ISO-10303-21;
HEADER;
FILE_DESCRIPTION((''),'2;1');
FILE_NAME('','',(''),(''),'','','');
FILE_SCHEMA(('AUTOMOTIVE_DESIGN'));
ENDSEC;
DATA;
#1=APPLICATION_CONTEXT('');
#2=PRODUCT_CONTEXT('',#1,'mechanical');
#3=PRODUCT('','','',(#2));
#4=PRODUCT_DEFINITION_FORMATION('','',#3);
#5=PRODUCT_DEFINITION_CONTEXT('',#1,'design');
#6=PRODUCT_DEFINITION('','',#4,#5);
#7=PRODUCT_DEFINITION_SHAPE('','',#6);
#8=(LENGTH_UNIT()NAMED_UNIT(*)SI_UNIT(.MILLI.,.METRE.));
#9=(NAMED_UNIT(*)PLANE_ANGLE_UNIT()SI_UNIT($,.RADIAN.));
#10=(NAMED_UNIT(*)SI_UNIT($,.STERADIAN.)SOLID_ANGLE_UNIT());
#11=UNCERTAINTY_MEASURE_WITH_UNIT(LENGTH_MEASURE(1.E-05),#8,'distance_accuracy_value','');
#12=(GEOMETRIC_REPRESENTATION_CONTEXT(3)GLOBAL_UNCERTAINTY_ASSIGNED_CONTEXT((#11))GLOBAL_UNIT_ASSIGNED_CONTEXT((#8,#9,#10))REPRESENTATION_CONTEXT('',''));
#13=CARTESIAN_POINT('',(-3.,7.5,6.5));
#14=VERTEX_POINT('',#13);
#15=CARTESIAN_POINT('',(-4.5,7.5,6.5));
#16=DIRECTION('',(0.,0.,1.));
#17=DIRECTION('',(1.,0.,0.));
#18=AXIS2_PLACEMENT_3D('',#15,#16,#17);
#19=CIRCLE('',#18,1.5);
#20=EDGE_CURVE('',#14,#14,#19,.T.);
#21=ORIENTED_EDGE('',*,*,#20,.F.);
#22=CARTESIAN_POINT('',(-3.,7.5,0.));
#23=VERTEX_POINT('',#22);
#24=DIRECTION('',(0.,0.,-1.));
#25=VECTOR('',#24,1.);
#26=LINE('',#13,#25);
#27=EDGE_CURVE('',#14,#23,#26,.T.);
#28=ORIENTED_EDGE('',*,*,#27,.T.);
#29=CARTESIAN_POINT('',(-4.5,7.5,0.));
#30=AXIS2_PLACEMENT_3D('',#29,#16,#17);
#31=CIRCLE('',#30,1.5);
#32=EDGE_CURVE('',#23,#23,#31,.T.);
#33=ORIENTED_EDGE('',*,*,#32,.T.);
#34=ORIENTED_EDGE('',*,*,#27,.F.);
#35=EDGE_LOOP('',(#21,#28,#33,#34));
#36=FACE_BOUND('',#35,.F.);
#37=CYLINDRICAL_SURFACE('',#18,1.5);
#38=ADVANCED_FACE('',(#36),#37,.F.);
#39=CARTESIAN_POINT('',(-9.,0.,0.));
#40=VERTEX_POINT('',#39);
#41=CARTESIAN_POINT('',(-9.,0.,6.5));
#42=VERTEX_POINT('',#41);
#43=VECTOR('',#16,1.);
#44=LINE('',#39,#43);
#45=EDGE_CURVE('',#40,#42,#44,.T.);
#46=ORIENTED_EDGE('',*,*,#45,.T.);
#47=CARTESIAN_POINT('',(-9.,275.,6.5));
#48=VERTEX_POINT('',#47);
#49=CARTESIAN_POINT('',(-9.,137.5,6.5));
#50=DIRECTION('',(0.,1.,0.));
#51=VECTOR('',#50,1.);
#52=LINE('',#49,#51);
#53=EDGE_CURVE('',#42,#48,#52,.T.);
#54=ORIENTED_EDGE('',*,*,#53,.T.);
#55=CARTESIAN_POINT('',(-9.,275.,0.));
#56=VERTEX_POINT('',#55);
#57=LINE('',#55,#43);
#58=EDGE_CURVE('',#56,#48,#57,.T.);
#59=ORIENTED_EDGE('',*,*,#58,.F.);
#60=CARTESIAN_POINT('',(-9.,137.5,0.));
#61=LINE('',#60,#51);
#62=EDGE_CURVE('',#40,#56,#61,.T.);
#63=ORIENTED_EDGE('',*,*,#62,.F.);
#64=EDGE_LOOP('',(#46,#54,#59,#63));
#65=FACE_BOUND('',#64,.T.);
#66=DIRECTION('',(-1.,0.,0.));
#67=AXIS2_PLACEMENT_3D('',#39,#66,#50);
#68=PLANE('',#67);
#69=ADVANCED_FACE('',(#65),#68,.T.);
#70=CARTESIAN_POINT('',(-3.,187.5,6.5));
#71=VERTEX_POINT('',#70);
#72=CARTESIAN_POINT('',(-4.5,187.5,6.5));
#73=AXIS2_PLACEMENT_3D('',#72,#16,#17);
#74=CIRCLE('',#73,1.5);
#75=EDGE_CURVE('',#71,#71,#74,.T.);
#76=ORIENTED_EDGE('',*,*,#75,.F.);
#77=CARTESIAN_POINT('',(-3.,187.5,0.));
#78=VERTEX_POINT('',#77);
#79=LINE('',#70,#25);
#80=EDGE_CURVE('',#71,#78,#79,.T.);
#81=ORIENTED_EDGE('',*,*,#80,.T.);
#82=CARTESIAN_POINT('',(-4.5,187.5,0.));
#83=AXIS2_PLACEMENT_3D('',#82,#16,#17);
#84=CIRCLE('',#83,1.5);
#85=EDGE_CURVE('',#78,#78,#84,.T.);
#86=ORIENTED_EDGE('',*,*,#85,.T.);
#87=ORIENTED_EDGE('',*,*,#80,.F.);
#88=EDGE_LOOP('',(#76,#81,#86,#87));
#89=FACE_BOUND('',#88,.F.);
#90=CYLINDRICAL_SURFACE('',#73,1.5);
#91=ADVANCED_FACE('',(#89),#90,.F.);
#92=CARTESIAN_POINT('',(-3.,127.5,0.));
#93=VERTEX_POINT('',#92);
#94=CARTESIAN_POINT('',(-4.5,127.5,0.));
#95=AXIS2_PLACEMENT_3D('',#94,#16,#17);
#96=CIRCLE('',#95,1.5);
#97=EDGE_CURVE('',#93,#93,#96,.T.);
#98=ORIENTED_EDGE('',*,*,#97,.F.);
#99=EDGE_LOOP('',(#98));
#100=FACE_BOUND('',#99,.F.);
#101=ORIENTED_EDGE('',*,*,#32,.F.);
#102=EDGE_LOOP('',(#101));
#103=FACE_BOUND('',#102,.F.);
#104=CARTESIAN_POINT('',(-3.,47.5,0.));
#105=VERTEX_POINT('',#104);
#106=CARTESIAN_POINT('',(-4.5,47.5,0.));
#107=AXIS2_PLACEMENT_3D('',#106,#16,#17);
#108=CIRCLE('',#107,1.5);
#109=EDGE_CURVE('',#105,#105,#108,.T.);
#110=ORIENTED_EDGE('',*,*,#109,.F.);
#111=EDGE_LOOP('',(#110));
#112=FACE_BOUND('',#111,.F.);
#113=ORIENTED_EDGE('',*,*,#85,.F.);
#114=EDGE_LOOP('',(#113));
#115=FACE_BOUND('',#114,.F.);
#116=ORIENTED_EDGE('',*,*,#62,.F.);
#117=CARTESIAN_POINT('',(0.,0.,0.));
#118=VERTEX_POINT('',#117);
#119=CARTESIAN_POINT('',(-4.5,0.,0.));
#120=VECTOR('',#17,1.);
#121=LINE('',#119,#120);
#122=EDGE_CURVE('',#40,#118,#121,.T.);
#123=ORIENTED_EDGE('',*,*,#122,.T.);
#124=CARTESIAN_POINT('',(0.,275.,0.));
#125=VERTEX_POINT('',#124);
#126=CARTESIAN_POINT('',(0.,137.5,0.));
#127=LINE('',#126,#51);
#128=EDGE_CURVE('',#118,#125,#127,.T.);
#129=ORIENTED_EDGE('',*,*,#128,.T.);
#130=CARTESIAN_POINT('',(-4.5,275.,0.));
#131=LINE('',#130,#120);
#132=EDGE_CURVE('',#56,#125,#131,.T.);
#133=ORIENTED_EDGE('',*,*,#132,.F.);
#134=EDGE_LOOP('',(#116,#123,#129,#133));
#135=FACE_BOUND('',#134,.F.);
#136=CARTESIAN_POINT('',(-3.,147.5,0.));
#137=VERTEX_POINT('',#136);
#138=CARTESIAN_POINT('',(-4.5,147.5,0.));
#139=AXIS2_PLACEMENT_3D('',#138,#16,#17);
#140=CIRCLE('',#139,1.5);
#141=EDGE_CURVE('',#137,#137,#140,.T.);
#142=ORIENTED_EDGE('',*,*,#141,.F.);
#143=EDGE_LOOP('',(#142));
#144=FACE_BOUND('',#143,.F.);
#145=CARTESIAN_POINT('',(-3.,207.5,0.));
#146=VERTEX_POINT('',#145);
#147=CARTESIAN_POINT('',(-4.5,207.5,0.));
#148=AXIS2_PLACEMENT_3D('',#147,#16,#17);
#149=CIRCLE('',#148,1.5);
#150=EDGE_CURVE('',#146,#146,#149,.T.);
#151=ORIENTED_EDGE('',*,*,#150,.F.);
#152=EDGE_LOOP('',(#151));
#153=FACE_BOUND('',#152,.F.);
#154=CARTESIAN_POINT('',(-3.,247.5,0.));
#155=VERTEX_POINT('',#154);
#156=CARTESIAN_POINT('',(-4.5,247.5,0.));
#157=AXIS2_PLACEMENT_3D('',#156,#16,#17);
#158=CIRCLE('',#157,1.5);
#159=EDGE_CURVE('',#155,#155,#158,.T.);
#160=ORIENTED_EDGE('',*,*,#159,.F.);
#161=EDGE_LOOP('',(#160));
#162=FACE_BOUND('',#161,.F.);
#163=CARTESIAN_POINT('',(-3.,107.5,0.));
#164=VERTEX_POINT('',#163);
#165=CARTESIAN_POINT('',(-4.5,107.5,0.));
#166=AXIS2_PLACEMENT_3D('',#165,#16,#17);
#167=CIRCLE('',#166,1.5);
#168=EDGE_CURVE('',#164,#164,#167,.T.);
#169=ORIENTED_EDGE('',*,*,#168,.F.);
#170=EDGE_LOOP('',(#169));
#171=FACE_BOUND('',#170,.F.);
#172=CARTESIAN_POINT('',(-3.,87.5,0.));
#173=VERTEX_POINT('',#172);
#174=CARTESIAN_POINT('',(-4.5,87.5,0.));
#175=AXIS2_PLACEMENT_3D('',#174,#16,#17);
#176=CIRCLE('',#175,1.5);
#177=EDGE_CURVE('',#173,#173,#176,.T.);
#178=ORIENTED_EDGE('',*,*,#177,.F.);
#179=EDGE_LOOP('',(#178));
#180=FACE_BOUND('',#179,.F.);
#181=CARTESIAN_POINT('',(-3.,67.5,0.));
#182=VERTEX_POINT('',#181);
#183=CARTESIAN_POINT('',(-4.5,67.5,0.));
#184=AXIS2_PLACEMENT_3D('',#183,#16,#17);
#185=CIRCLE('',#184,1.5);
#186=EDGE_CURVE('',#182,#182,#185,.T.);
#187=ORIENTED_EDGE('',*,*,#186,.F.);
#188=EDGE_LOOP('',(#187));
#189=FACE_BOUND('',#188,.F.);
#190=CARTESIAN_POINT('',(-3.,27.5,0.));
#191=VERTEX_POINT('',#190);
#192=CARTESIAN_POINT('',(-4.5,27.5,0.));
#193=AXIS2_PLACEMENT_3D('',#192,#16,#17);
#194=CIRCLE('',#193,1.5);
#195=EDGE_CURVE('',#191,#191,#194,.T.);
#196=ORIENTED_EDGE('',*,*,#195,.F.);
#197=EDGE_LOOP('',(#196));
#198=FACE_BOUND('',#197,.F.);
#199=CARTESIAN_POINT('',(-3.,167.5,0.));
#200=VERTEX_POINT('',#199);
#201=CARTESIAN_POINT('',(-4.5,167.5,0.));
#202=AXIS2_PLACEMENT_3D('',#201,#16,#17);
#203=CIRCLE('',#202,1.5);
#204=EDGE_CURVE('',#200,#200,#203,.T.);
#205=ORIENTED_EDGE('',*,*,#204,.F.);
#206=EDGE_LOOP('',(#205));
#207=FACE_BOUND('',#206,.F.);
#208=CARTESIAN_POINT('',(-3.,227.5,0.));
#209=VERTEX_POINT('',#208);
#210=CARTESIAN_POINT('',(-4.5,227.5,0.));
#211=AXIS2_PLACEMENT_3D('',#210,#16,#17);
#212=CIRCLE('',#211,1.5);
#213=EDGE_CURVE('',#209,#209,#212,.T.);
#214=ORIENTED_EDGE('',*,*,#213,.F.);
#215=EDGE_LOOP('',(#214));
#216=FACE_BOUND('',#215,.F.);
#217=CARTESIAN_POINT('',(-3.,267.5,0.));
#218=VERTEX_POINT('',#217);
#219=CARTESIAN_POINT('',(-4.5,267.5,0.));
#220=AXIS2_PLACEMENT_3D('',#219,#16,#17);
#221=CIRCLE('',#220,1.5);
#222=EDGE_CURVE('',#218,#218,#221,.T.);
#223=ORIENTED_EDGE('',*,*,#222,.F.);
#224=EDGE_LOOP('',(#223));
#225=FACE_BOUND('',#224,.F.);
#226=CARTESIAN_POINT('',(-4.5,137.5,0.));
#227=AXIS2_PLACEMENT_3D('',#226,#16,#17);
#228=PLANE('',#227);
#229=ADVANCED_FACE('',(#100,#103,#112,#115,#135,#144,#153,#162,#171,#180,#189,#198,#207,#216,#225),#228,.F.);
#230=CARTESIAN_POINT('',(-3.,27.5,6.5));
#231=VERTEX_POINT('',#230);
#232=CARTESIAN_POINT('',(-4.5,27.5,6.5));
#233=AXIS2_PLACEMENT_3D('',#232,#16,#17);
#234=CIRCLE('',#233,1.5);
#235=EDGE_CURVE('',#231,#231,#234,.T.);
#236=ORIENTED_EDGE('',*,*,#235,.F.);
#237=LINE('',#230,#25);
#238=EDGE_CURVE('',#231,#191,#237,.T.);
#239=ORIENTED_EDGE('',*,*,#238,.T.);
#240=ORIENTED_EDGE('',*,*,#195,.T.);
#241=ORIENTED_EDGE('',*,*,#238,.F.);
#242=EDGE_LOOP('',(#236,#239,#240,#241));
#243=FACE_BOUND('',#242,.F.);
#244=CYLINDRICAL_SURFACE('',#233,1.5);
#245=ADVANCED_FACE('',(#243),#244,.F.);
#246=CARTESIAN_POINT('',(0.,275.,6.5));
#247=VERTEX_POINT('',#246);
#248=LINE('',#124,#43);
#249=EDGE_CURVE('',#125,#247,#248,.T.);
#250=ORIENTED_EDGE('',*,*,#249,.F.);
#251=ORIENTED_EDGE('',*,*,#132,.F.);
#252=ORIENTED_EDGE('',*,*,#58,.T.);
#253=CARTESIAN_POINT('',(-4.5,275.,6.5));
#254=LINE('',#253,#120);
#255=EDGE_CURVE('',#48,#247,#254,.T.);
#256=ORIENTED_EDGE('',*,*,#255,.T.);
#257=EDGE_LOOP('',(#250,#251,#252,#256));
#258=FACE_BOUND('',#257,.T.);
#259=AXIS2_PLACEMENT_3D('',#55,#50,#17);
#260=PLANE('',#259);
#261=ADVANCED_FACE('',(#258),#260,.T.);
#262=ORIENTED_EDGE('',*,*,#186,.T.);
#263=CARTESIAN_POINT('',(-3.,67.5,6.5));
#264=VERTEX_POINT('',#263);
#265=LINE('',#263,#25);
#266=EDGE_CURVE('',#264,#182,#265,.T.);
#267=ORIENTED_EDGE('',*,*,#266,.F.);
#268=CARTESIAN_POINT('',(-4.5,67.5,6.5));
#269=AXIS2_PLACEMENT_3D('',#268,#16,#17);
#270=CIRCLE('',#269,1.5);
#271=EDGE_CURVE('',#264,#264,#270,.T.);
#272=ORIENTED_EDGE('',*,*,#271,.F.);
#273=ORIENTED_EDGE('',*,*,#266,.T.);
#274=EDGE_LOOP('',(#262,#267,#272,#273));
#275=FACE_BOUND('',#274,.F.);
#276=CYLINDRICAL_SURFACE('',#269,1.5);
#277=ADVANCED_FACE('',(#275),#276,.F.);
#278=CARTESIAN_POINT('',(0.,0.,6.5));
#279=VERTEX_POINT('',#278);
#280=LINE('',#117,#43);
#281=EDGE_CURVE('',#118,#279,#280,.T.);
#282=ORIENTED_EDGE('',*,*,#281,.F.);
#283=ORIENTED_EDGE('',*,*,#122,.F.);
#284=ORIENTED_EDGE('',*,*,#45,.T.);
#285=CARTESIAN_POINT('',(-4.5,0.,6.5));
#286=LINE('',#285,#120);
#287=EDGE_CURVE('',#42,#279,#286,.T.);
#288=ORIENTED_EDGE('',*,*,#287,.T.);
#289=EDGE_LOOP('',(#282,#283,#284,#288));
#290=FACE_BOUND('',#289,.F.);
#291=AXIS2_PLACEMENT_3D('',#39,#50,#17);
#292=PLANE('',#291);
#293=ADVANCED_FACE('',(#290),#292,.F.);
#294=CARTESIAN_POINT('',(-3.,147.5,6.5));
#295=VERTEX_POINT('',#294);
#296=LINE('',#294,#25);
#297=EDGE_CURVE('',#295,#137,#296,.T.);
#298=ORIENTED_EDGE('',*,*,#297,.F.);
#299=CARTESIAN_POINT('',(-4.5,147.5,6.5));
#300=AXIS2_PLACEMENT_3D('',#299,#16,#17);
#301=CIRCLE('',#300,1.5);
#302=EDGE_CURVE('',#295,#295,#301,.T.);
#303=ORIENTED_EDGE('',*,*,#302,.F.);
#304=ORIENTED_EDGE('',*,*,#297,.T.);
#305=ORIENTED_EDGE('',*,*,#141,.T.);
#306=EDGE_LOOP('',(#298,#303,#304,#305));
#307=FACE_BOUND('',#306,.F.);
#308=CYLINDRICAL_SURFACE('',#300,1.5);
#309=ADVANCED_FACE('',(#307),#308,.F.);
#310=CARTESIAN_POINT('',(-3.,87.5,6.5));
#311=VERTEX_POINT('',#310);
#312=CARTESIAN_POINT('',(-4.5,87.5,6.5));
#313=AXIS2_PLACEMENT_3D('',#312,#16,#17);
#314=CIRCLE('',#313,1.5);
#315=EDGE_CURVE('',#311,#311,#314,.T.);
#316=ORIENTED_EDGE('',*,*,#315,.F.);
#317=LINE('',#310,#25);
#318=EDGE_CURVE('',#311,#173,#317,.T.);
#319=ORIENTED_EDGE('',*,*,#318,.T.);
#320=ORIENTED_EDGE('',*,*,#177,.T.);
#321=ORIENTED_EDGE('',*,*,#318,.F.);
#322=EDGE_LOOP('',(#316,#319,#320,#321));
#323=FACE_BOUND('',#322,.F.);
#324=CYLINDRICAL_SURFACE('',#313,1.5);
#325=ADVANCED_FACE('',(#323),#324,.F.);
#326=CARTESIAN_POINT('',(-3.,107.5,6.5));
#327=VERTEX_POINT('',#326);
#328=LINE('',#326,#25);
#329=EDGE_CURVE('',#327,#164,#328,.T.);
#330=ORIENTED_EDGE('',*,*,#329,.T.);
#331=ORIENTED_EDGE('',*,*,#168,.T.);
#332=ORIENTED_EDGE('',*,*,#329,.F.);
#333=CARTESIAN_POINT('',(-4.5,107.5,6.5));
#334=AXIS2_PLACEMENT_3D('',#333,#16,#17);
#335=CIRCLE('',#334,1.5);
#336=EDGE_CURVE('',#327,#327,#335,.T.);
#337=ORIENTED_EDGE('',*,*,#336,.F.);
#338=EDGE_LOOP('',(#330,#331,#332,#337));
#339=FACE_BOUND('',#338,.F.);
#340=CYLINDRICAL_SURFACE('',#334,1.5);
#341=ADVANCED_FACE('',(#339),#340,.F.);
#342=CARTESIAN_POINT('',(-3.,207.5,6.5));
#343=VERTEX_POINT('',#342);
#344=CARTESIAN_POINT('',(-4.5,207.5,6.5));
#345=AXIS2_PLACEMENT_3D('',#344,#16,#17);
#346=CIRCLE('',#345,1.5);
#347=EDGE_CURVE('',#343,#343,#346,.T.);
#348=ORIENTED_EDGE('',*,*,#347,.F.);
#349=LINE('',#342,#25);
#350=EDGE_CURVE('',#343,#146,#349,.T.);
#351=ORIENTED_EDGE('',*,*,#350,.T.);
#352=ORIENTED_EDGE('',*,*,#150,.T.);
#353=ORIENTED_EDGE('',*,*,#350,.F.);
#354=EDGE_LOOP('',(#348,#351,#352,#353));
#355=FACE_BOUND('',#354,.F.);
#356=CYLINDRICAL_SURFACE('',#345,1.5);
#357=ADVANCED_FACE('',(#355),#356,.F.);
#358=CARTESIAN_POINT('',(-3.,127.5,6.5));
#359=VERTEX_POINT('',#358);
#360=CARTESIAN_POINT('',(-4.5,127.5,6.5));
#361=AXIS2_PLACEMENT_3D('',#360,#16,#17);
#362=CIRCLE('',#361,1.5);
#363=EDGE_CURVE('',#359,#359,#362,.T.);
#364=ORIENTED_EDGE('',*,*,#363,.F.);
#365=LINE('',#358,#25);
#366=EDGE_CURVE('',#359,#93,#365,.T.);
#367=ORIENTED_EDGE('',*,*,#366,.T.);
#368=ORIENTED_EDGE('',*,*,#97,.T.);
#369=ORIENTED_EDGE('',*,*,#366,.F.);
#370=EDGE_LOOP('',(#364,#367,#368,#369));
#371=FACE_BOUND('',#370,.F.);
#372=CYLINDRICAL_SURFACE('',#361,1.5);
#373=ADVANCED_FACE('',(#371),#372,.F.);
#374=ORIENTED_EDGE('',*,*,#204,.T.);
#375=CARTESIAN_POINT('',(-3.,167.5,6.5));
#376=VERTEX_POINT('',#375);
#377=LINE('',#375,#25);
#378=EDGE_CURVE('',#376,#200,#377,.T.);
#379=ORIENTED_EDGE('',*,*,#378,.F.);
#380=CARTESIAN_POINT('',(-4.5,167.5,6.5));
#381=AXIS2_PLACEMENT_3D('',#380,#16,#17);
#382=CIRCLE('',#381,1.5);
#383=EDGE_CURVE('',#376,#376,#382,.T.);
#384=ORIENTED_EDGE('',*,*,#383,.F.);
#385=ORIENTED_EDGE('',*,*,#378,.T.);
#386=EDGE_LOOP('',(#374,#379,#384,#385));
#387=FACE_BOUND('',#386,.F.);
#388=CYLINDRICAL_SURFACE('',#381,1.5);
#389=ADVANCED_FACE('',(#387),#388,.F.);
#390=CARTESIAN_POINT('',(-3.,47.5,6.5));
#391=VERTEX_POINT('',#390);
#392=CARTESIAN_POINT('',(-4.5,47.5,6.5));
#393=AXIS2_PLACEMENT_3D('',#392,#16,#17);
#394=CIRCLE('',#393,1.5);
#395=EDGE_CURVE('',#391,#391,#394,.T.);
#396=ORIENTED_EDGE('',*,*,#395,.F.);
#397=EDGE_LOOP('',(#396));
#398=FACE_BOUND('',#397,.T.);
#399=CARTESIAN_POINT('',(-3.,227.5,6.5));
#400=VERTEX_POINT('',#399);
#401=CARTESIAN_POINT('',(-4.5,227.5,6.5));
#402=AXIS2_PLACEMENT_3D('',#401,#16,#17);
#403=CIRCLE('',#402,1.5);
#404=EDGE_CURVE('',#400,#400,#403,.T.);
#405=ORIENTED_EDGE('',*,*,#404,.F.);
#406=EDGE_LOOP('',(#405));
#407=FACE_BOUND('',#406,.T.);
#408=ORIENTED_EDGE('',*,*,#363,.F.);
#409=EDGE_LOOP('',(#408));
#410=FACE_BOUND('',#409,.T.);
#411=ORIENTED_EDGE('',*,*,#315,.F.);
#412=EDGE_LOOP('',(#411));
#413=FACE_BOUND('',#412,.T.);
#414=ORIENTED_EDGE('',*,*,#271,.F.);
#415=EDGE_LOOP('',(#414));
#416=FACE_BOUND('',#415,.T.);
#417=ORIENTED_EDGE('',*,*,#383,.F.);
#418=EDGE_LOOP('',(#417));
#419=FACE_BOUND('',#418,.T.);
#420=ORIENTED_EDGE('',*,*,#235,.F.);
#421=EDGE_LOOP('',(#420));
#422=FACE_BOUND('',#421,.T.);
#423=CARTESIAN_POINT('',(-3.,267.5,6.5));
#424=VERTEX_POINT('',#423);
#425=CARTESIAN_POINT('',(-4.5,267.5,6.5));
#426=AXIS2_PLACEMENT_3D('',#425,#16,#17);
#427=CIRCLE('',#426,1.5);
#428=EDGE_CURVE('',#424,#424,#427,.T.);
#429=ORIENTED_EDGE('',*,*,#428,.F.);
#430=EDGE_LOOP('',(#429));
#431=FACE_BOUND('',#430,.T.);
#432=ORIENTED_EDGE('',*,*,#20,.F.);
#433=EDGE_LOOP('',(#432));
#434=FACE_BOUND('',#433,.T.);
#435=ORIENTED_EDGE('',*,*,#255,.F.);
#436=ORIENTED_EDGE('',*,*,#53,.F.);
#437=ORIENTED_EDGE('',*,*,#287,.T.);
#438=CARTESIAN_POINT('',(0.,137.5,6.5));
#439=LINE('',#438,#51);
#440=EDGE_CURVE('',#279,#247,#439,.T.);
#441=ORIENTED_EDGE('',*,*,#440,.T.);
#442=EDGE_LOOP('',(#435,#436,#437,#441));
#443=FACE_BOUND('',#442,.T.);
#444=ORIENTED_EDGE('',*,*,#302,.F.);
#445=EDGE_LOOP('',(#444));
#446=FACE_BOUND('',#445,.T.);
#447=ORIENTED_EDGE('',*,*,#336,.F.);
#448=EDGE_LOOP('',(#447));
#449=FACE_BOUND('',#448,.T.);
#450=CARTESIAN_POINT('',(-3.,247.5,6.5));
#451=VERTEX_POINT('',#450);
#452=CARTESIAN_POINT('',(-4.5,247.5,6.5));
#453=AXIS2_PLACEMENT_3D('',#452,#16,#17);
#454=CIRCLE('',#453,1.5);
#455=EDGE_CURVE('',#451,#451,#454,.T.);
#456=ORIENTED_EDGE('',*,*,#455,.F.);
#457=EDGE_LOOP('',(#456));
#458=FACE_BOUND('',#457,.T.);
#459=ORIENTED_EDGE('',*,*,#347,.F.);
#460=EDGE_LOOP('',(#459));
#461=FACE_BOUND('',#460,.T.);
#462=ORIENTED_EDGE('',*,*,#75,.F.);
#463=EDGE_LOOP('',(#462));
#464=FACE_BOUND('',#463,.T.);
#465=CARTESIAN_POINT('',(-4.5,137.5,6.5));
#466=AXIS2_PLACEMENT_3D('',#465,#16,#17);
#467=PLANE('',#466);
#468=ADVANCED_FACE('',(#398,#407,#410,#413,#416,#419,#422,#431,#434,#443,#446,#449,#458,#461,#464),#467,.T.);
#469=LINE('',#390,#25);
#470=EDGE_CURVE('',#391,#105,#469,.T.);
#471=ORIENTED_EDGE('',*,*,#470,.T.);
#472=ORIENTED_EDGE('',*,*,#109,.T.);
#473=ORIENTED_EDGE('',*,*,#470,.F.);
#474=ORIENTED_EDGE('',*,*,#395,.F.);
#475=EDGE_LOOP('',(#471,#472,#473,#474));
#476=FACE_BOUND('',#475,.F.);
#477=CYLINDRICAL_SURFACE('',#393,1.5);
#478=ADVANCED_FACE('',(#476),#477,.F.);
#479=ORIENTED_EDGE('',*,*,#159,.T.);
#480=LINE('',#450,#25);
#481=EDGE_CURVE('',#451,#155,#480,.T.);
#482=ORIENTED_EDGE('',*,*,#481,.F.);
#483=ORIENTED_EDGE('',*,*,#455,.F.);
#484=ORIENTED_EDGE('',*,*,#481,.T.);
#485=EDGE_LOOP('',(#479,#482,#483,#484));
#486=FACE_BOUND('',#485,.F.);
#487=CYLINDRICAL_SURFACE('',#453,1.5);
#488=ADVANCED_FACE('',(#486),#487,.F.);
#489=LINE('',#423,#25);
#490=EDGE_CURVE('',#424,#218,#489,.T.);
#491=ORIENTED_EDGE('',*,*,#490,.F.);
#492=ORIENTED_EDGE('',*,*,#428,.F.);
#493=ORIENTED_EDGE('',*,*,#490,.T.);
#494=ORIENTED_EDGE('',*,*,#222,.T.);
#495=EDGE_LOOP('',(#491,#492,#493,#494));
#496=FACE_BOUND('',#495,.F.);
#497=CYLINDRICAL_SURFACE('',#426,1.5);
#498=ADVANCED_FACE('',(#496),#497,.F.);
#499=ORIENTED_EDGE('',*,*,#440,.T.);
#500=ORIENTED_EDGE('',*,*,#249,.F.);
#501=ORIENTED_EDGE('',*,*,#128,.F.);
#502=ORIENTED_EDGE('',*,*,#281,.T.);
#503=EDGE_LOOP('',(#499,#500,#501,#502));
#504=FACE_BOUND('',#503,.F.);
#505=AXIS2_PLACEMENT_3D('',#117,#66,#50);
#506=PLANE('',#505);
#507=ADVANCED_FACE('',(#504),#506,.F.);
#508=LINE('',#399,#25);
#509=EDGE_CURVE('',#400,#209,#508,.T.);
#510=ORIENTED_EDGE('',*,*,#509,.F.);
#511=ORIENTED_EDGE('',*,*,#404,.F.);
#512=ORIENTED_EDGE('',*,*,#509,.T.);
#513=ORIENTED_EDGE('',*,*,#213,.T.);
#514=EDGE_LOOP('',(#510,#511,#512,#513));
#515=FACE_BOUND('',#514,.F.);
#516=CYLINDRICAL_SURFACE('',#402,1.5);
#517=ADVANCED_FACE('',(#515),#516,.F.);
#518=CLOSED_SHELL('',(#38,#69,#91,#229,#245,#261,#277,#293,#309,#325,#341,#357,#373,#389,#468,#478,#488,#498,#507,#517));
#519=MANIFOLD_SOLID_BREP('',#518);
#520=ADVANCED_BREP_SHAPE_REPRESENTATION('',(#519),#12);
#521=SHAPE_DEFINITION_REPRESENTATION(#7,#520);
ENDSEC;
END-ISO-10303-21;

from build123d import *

# Parameters (mm, degrees)
SKETCH068_W            = 9
SKETCH068_H            = 275
PAD022_DEPTH           = 6.5
SKETCH067_R            = 1.5
POCKET041_DEPTH        = 6.5
LINEARPATTERN009_COUNT = 14
LINEARPATTERN009_PITCH = 20


with BuildPart() as part:
    # Sketch068 → Pad022 (new body)
    with BuildSketch(Plane.XY):
        with Locations((-4.5, 137.5)):
            Rectangle(SKETCH068_W, SKETCH068_H)
    extrude(amount=PAD022_DEPTH)

    # Sketch067 (on Face6 of Pad022) → Pocket041 (cut)
    with BuildSketch(Plane.XY.offset(6.5)):
        with Locations((-4.5, 7.5)):
            Circle(SKETCH067_R)
    pocket041 = extrude(amount=-POCKET041_DEPTH, mode=Mode.SUBTRACT)

    # LinearPattern009: Pocket041 ×14
    with Locations(*[(0, i * LINEARPATTERN009_PITCH, 0) for i in range(1, LINEARPATTERN009_COUNT)]):
        add(pocket041, mode=Mode.SUBTRACT)


solid = part.part
